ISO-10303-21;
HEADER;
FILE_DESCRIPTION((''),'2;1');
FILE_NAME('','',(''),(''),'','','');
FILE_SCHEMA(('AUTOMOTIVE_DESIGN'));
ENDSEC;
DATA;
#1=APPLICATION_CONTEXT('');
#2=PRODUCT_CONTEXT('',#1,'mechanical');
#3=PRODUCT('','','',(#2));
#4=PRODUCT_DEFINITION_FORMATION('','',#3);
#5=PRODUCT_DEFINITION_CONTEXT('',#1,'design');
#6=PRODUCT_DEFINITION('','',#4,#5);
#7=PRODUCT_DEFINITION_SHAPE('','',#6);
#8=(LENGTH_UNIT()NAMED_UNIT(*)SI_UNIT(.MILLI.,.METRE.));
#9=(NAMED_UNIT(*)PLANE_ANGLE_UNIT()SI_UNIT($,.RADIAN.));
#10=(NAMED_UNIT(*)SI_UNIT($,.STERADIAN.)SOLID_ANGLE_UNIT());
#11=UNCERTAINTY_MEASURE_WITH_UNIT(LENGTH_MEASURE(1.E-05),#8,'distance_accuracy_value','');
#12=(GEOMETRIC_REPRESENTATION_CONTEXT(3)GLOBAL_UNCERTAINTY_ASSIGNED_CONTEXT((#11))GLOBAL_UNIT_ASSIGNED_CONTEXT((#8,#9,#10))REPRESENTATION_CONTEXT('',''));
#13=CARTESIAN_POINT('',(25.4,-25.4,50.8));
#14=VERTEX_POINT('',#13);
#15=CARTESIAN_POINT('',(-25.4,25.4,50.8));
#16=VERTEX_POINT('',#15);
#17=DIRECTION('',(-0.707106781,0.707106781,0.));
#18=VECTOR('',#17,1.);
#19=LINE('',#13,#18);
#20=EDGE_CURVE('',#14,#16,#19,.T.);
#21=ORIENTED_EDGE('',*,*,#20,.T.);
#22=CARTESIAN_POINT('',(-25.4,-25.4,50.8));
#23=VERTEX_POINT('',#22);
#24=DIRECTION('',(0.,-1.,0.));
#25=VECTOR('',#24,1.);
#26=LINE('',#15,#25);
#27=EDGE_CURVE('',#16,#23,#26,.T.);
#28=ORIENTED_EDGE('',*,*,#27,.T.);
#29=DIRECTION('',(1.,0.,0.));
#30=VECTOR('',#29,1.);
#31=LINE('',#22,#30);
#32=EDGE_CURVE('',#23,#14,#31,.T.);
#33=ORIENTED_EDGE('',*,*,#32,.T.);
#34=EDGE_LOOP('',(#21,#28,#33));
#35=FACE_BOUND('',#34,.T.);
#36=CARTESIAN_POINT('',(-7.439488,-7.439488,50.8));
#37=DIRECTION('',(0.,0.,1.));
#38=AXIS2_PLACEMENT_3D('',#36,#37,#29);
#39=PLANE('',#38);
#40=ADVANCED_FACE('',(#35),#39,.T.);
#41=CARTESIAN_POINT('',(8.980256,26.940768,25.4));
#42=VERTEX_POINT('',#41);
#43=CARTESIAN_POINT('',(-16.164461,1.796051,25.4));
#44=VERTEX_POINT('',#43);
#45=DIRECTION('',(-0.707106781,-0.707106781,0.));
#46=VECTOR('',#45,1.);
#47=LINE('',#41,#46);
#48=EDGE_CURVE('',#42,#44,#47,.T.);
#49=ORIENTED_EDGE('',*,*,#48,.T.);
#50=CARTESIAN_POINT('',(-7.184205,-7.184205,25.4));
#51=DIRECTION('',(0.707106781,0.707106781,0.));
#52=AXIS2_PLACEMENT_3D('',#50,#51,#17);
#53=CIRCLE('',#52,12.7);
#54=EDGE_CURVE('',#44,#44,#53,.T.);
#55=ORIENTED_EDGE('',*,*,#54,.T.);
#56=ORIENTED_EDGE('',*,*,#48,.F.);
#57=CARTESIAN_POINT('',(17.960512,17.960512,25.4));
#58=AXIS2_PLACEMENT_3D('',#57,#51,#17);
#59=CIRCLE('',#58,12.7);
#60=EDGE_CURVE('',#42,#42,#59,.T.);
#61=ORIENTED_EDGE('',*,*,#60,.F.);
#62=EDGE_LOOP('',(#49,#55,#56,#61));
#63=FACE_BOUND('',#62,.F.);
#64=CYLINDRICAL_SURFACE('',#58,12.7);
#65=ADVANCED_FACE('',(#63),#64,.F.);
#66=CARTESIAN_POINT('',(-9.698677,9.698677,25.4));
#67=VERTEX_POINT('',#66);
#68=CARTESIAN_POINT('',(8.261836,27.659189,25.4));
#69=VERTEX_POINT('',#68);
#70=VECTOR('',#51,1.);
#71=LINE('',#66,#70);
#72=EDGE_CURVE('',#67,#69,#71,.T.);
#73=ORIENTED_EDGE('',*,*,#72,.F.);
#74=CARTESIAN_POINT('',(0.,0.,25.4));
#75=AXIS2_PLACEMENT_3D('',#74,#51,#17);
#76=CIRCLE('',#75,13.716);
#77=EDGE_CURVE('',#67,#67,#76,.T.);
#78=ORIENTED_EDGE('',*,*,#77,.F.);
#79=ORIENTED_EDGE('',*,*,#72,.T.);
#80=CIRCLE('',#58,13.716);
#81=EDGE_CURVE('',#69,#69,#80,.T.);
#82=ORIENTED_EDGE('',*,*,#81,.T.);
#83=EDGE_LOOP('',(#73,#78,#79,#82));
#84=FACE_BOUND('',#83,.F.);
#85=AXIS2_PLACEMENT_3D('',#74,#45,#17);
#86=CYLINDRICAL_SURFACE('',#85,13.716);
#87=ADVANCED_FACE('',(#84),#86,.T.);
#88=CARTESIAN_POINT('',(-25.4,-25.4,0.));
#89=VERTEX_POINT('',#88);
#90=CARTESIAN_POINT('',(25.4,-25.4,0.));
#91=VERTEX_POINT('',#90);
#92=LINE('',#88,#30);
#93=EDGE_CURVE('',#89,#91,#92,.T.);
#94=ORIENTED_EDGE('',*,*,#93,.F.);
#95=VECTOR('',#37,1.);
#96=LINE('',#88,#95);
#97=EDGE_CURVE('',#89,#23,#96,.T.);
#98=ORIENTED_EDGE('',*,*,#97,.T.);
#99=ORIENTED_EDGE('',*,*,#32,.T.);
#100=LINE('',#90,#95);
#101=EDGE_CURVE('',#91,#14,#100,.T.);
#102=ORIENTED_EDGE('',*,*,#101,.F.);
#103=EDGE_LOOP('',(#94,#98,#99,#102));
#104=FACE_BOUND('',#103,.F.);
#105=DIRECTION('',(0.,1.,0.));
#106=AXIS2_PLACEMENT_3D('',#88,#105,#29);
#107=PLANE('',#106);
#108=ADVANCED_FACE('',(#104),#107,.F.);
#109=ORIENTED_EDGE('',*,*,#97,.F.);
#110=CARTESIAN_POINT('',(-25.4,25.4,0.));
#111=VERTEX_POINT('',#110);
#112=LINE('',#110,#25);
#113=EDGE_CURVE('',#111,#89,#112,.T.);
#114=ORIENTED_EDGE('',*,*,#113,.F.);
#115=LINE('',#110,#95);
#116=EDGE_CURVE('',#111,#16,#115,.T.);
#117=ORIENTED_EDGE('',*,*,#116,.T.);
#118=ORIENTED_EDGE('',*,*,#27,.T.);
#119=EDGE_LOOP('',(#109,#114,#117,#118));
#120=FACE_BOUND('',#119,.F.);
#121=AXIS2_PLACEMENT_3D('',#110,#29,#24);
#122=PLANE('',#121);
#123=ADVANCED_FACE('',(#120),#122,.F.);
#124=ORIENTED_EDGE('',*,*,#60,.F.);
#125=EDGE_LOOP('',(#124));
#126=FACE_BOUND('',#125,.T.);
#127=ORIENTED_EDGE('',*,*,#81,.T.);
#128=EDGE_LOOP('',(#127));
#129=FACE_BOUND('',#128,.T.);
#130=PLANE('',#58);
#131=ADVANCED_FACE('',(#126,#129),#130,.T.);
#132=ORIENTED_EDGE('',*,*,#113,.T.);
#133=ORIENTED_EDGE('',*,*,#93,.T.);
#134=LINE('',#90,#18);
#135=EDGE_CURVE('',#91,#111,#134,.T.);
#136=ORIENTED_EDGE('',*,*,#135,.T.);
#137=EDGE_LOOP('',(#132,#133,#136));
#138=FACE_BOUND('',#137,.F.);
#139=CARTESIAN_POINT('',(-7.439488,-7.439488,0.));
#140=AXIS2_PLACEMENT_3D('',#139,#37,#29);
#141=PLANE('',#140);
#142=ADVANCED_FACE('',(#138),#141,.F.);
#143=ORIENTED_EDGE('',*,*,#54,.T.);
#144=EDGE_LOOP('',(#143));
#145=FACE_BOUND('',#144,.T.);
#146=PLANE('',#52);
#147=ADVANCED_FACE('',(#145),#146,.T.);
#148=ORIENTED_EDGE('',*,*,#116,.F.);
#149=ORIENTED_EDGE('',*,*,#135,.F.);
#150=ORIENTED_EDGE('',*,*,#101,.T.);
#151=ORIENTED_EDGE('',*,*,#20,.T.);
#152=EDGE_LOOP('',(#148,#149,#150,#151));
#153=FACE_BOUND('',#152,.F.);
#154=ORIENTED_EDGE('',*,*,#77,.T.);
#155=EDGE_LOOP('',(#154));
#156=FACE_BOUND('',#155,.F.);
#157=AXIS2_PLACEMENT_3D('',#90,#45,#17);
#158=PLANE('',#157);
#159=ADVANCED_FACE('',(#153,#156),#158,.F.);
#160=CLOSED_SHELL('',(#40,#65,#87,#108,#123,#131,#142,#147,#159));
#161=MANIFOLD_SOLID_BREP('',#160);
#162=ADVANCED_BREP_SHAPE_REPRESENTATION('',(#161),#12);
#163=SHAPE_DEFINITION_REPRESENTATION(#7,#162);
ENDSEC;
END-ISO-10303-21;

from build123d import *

# Parameters (mm, degrees)
F1_DEPTH = 50.8
F2_R     = 13.716
F3_DEPTH = 25.4
F4_R     = 12.7
F5_DEPTH = 35.56


with BuildPart() as f1:
    # F0 (on Top) → F1 (new body)
    with BuildSketch(Plane.XY):
        Polygon((25.4, -25.4), (-25.4, 25.4), (-25.4, -25.4), align=None)
    extrude(amount=F1_DEPTH)

    # F2 (on face) → F3 (join)
    with BuildSketch(Plane(origin=(0, 0, 0), x_dir=(-0.7071067812, 0.7071067812, 0), z_dir=(0.7071067812, 0.7071067812, 0))):
        with Locations((0, 25.4)):
            Circle(F2_R)
    extrude(amount=F3_DEPTH)

    # F4 (on face) → F5 (cut)
    with BuildSketch(Plane(origin=(17.9605122421, 17.9605122421, 0), x_dir=(-0.7071067812, 0.7071067812, 0), z_dir=(0.7071067812, 0.7071067812, 0))):
        with Locations((0, 25.4)):
            Circle(F4_R)
    extrude(amount=-F5_DEPTH, mode=Mode.SUBTRACT)


solid = f1.part
